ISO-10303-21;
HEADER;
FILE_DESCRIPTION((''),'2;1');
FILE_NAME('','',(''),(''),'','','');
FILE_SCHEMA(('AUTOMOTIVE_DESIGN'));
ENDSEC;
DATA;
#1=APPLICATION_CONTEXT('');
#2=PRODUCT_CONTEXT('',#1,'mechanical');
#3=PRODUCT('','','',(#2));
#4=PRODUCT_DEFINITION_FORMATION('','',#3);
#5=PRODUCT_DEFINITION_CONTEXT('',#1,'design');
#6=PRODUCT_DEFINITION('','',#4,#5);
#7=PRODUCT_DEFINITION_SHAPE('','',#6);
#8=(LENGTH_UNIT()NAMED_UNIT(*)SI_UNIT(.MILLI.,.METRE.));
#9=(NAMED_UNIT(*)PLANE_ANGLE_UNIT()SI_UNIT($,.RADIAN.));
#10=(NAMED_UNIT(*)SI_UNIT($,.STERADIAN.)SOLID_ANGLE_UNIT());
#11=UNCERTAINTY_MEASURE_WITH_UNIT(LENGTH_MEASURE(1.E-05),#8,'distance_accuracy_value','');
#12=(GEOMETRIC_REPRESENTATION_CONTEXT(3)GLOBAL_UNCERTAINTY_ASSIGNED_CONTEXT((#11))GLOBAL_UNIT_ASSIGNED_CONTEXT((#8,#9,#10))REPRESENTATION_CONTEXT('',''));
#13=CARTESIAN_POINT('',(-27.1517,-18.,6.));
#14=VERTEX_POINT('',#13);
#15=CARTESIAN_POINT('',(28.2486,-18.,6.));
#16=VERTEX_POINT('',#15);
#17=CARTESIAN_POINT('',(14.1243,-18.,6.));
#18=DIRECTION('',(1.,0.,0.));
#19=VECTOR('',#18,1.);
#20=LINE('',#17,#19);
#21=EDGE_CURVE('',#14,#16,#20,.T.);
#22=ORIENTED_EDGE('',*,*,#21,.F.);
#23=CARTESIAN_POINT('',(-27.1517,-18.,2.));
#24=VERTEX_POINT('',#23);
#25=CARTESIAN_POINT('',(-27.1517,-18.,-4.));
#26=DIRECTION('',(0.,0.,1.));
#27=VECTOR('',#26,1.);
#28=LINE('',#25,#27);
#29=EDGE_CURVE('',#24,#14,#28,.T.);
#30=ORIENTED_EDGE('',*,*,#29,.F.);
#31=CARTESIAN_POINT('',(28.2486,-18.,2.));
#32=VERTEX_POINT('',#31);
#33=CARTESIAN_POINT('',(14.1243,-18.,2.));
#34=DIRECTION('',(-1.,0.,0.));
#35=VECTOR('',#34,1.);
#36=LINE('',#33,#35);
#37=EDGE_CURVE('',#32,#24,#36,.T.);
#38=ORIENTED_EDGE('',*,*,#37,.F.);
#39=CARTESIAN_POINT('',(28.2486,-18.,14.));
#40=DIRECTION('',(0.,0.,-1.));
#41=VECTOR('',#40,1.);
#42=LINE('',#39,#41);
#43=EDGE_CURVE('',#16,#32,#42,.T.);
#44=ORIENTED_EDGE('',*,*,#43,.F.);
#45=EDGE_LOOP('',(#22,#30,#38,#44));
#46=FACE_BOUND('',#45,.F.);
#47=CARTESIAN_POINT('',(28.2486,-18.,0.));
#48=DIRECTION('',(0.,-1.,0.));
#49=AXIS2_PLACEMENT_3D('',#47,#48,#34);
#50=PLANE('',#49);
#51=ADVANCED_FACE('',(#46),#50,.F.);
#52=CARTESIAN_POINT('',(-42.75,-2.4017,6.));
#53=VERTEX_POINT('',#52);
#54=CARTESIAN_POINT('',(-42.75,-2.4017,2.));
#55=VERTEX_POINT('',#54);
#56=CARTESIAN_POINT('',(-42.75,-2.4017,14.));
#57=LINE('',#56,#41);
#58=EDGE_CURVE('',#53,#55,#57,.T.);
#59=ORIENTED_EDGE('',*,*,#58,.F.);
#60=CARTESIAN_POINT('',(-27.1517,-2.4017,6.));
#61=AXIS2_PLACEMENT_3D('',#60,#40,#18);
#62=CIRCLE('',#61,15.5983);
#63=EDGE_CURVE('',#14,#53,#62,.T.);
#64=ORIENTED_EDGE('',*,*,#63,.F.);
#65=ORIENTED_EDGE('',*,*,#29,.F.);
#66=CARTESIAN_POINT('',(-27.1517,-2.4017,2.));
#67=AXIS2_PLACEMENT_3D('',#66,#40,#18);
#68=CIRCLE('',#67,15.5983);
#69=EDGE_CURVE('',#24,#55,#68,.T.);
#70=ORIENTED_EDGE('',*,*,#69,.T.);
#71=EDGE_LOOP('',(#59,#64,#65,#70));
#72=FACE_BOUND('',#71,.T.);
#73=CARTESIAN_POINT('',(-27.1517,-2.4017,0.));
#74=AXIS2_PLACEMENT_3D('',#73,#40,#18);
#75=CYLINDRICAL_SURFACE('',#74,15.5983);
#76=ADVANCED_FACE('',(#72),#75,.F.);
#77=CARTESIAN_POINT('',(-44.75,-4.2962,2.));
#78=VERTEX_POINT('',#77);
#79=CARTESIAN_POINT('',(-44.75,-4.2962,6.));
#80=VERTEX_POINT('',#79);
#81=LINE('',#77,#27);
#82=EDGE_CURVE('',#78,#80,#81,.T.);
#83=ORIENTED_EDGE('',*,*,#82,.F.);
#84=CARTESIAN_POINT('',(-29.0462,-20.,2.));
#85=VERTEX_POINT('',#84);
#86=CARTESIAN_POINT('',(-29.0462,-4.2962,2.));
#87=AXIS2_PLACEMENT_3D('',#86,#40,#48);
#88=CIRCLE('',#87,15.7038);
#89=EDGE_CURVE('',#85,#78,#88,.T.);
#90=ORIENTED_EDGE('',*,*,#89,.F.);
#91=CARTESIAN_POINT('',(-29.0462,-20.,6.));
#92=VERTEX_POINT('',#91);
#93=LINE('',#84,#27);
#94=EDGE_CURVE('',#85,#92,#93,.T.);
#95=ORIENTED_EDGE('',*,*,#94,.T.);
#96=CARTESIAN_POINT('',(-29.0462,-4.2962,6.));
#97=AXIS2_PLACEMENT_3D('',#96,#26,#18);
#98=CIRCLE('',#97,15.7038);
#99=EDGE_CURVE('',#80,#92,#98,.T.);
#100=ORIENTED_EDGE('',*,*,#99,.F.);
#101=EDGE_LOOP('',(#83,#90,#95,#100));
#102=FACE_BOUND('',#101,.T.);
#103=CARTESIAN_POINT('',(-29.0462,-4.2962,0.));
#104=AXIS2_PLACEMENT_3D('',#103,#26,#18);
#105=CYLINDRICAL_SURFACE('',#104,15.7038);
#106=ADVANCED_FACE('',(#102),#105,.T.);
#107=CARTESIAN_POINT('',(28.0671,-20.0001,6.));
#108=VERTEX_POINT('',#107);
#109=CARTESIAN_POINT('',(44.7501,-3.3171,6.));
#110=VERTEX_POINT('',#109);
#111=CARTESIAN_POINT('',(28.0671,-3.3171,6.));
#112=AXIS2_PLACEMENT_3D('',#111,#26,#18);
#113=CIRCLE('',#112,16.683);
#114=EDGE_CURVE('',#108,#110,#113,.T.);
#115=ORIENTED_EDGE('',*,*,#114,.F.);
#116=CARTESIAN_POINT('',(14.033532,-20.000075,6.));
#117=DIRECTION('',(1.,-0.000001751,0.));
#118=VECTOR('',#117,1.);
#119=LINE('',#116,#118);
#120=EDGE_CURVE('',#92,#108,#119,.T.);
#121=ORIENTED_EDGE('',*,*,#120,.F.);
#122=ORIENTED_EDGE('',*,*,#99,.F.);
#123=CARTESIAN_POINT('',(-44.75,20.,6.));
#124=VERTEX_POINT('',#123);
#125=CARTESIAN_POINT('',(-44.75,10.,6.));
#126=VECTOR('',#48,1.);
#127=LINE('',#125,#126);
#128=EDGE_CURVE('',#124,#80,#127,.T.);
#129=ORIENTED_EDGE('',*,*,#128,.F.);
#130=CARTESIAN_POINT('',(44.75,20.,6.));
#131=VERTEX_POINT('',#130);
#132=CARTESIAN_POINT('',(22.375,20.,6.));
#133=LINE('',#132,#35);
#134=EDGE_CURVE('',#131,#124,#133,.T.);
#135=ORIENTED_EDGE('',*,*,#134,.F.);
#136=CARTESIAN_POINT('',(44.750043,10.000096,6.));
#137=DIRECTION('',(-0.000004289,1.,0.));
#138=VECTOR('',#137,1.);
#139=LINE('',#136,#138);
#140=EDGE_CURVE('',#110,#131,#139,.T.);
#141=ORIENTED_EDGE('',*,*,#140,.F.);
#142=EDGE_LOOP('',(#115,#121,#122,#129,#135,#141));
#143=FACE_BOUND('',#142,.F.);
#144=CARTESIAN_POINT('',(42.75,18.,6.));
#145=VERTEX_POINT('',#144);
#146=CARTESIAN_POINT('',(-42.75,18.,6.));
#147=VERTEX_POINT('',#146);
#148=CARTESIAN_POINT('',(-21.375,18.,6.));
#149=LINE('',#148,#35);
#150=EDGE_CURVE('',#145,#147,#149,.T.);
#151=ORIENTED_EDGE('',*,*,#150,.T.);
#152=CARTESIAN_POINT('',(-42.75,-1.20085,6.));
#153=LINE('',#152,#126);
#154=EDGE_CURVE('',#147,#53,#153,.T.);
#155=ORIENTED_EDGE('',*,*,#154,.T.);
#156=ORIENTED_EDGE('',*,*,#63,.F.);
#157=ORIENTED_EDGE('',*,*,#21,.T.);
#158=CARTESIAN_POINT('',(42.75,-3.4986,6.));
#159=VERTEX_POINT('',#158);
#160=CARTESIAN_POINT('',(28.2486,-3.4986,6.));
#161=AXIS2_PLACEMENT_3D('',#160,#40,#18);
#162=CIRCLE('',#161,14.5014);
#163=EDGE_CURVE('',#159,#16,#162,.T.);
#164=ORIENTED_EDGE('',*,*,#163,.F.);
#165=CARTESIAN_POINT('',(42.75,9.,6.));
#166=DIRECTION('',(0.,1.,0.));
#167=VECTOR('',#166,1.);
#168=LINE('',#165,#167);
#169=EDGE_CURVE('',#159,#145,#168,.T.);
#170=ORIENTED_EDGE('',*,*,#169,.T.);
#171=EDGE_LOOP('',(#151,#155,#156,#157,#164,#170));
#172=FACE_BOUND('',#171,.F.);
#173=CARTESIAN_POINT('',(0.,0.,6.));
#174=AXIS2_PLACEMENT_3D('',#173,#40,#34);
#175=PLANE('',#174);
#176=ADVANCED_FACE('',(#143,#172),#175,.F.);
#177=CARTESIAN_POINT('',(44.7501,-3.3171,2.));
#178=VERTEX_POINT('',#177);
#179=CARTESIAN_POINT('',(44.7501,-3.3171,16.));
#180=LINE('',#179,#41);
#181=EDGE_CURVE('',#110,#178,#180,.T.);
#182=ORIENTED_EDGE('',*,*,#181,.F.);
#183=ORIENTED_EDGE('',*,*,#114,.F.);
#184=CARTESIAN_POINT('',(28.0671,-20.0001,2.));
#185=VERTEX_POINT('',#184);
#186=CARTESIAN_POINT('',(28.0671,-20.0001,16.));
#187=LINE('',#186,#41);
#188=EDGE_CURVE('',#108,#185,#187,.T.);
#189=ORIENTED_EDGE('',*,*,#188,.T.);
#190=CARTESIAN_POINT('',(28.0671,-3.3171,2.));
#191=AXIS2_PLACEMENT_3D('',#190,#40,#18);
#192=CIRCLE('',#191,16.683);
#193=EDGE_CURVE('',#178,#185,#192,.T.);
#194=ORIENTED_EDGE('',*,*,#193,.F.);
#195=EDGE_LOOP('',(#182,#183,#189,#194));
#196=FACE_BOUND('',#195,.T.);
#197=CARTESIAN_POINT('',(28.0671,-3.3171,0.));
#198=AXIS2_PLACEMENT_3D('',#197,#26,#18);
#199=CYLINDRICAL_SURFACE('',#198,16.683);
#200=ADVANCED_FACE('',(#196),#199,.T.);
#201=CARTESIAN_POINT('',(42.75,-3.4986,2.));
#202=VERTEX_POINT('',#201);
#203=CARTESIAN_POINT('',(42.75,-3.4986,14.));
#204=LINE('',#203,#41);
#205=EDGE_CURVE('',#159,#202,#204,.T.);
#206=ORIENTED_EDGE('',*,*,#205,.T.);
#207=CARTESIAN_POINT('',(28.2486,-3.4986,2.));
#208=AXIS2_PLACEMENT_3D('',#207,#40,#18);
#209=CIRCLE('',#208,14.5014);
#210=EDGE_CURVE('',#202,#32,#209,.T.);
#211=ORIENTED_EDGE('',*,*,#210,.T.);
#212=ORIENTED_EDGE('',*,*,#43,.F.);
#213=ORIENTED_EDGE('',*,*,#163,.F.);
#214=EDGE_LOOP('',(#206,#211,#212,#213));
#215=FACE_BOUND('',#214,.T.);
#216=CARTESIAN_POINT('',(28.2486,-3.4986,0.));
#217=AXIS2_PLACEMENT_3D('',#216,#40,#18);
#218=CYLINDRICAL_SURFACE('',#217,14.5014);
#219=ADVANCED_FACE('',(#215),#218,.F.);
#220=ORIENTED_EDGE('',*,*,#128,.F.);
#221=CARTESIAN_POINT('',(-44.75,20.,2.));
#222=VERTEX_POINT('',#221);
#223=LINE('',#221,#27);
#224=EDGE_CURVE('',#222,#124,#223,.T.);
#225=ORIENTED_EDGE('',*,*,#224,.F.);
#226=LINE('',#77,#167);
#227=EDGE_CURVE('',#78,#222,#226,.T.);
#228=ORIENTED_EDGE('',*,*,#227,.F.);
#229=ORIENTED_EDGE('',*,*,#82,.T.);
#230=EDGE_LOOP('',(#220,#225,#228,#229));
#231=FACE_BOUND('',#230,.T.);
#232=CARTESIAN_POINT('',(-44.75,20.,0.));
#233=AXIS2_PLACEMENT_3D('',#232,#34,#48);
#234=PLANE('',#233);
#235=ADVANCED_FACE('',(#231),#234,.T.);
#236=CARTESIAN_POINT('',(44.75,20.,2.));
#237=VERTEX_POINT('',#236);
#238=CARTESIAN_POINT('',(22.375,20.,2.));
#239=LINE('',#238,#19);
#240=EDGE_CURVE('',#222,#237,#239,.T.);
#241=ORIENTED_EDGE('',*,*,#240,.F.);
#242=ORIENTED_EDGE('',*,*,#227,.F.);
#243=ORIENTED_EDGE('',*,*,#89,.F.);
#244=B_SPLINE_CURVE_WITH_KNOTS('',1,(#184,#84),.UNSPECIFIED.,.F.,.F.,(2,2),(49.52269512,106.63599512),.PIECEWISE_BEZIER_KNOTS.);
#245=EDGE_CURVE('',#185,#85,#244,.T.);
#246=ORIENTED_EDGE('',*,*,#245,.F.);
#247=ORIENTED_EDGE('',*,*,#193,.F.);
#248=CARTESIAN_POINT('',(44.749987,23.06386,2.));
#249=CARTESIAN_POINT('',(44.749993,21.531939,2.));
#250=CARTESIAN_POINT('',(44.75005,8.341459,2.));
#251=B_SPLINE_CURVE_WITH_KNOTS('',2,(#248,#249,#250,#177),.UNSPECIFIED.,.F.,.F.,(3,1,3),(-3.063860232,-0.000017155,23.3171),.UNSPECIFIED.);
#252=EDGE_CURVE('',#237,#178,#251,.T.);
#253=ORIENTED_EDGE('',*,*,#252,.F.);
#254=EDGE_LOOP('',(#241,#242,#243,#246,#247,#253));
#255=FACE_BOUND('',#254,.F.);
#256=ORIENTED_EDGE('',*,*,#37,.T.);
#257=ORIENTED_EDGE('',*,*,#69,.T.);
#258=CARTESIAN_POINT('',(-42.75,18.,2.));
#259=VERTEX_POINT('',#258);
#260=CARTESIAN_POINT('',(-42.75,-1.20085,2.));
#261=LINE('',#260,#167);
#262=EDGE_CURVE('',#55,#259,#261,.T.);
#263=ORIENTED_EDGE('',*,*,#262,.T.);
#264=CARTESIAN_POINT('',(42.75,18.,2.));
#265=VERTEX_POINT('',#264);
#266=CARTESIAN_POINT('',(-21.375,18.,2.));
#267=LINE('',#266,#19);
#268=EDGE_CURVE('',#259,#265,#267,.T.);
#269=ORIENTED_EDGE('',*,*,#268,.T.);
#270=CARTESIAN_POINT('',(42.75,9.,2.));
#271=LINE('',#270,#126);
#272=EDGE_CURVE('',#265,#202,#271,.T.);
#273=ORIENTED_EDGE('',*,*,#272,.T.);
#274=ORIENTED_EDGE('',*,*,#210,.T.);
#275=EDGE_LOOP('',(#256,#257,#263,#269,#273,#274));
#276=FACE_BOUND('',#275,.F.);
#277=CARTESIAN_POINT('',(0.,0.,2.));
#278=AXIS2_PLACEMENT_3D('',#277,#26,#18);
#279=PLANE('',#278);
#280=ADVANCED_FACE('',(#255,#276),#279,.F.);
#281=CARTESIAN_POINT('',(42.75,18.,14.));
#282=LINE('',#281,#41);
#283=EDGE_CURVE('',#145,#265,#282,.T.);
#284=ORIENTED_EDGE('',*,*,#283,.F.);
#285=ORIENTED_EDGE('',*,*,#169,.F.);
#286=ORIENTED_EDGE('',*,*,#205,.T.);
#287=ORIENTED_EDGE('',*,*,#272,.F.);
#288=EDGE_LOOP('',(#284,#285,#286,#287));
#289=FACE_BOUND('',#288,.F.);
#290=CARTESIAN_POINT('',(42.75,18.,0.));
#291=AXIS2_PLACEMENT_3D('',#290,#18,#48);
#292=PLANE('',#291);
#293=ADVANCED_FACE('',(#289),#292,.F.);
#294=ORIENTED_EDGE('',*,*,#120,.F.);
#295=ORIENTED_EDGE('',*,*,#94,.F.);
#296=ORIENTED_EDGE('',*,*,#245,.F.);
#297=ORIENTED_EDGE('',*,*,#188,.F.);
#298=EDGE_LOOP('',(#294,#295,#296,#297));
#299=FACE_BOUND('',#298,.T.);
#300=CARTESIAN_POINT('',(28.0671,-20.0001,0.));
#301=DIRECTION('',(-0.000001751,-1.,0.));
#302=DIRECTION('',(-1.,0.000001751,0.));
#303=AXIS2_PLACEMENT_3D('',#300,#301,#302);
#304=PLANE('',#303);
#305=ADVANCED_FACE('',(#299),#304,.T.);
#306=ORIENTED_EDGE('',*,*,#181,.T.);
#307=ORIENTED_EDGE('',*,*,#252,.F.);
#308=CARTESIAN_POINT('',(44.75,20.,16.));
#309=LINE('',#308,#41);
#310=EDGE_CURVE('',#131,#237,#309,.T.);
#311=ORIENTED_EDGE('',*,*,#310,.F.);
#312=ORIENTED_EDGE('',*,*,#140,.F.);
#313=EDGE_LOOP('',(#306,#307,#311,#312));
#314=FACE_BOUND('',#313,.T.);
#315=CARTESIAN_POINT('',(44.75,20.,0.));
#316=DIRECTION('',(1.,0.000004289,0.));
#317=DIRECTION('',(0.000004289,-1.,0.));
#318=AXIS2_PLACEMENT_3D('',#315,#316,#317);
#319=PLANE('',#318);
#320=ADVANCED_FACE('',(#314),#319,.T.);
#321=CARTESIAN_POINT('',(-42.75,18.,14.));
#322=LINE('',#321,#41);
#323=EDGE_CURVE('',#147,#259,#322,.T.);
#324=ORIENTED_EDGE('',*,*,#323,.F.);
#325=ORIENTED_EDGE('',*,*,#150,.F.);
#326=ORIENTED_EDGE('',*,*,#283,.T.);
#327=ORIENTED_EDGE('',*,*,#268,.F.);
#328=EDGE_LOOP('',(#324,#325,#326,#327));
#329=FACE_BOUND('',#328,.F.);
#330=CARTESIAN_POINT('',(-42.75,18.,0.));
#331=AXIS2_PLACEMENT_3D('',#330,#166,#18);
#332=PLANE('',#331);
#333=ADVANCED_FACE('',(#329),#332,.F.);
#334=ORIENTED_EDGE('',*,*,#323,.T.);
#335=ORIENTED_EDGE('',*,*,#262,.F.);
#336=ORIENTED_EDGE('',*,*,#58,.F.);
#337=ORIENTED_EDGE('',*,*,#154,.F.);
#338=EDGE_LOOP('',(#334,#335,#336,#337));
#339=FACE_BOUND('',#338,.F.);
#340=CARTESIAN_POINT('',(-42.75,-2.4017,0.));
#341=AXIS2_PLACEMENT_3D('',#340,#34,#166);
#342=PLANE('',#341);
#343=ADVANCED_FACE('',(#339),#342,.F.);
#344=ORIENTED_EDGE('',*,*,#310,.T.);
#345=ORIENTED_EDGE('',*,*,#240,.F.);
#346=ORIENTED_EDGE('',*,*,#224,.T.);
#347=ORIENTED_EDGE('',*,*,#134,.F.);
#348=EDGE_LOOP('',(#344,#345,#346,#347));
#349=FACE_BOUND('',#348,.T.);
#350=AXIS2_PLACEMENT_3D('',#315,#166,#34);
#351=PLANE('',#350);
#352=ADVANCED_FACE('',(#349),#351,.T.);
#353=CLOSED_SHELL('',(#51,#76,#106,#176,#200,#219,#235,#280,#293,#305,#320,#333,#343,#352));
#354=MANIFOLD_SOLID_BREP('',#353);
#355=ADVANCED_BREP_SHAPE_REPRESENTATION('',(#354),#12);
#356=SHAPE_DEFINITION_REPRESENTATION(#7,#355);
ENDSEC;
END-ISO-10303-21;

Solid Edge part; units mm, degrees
sketch "Sketch1" plane through (0, 0, 0) normal (0, 0, 1) x (1, 0, 0)
  line L0 (16.5705, -15) -> (27, -15)
  line L1 (39.75, -3) -> (35.75, -3)
  line L2 (39.75, 15) -> (39.75, -3)
  line L3 (39.75, 15) -> (-39.75, 15)
  line L4 (-39.75, 15) -> (-39.75, -3)
  line L5 (-39.75, -3) -> (-35.75, -3)
  line L6 (-27, -15) -> (-16.5705, -15)
  arc A0 (-11.0552, -11) -> (-16.5705, -15) centre (-21.7852, -2.0075) cw
  line L7 (-11.0552, -11) -> (-2.25, -11)
  line L8 (-2.25, -8.75) -> (-2.25, -11)
  line L9 (2.25, -8.75) -> (2.25, -11)
  line L10 (2.25, -11) -> (11.0552, -11)
  arc A1 (16.5705, -15) -> (11.0552, -11) centre (21.7852, -2.0075) cw
  arc A2 (27, -15) -> (35.75, -3) centre (21.7852, -2.0075) ccw
  arc A3 (-35.75, -3) -> (-27, -15) centre (-21.7852, -2.0075) ccw
  arc A4 (-2.25, -8.75) -> (2.25, -8.75) centre (0, -8.75) cw
  circle A5 centre (37.25, 2.5) radius 1
  circle A6 centre (-37.25, 2.5) radius 1
  circle A7 centre (-5.25, -6) radius 1
  circle A8 centre (5.25, -6) radius 1
extrude "Protrusion1" add sketch "Sketch1" along normal blind 1
sketch "Sketch2" plane through (0, 0, 0) normal (0, 0, 1) x (1, 0, 0)
  circle A0 centre (-5.25, -6) radius 1
  circle A1 centre (5.25, -6) radius 1
  circle A2 centre (37.25, 2.5) radius 1
  line L0 (42.75, -3) -> (42.75, 18)
  line L1 (42.75, 18) -> (-42.75, 18)
  line L2 (-42.75, 18) -> (-42.75, -2.0075)
  line L3 (-42.75, -2.4017) -> (-42.75, -2.0075)
  arc A3 (-42.75, -2.4017) -> (-27.1517, -18) centre (-27.1517, -2.4017) ccw
  line L4 (-21.7852, -18) -> (-27.1517, -18)
  line L5 (-21.7852, -18) -> (28.2486, -18)
  arc A4 (28.2486, -18) -> (42.75, -3.4986) centre (28.2486, -3.4986) ccw
  line L6 (42.75, -3.4986) -> (42.75, -3)
  line L7 (44.75, 20) -> (-44.75, 20)
  line L8 (-44.75, 20) -> (-44.75, -2.0075)
  line L9 (-44.75, -2.0075) -> (-44.75, -4.2962)
  arc A5 (-44.75, -4.2962) -> (-29.0462, -20) centre (-29.0462, -4.2962) ccw
  line L10 (-29.0462, -20) -> (-21.7852, -20)
  line L11 (-21.7852, -20) -> (28.0671, -20)
  arc A6 (28.0671, -20) -> (44.75, -3.3171) centre (28.0671, -3.3171) ccw
  line L12 (44.75, -3.3171) -> (44.75, -3)
  line L13 (44.75, -3) -> (44.75, 20)
  circle A7 centre (-37.25, 2.5) radius 1
  circle A8 centre (-5.25, -6) radius 3
  circle A9 centre (-37.25, 2.5) radius 3
  circle A10 centre (5.25, -6) radius 3
  circle A11 centre (37.25, 2.5) radius 3
extrude "ExtrudedProtrusion_2" add sketch "Sketch2" against normal blind 4
sketch "Sketch3" plane through (0, 0, -4) normal (0, 0, -1) x (1, 0, 0)
  line L0 (28.0671, 20) -> (-29.0462, 20)
  arc A0 (-29.0462, 20) -> (-44.75, 4.2962) centre (-29.0462, 4.2962) ccw
  line L1 (-44.75, 4.2962) -> (-44.75, -20)
  line L2 (-44.75, -20) -> (44.75, -20)
  line L3 (44.75, -20) -> (44.75, 3.3171)
  arc A1 (28.0671, 20) -> (44.75, 3.3171) centre (28.0671, 3.3171) cw
extrude "ExtrudedProtrusion_3" add sketch "Sketch3" along normal blind 2
sketch "Sketch4" plane through (0, 0, 0) normal (0, 0, 1) x (1, 0, 0)
  line L0 (-44.75, 20) -> (44.75, 20)
  line L1 (44.75, 20) -> (44.75, -3.3171)
  arc A0 (28.0671, -20) -> (44.75, -3.3171) centre (28.0671, -3.3171) ccw
  line L2 (28.0671, -20) -> (-29.0462, -20)
  arc A1 (-44.75, -4.2962) -> (-29.0462, -20) centre (-29.0462, -4.2962) ccw
  line L3 (-44.75, -4.2962) -> (-44.75, 20)
  line L4 (-42.75, 18) -> (42.75, 18)
  line L5 (42.75, 18) -> (42.75, -3.4986)
  arc A2 (28.2486, -18) -> (42.75, -3.4986) centre (28.2486, -3.4986) ccw
  line L6 (28.2486, -18) -> (-27.1517, -18)
  arc A3 (-42.75, -2.4017) -> (-27.1517, -18) centre (-27.1517, -2.4017) ccw
  line L7 (-42.75, -2.4017) -> (-42.75, 18)
extrude "ExtrudedProtrusion_4" add sketch "Sketch4" along normal blind 14
fillet "Round_1" radius 4 6 edges at (38.5026, -13.7526, -4) (-38.1814, -13.4314, -4) (0.5484, -18, -4) (42.75, 7.2507, -4) (0, 18, -4) (-42.75, 7.7992, -4)
fillet "Round_2" radius 8 5 edges at (-0.4896, -20, -6) (-40.1505, -15.4005, -6) (-44.75, 7.8519, -6) (44.75, 8.3415, -6) (39.8637, -15.1137, -6)
sketch "Sketch5" plane through (0, 0, 14) normal (0, 0, 1) x (1, 0, 0)
  line L0 (-44.75, 20) -> (44.75, 20)
  line L1 (44.75, 20) -> (44.75, -3.3171)
  arc A0 (28.0671, -20) -> (44.75, -3.3171) centre (28.0671, -3.3171) ccw
  line L2 (-29.0462, -20) -> (28.0671, -20)
  arc A1 (-44.75, -4.2962) -> (-29.0462, -20) centre (-29.0462, -4.2962) ccw
  line L3 (-44.75, -4.2962) -> (-44.75, -3.3171)
  line L4 (-44.75, -3.3171) -> (-44.75, 20)
  circle A2 centre (-21.7852, -2.0075) radius 12
  circle A3 centre (21.7852, -2.0075) radius 12
extrude "ExtrudedProtrusion_5" add sketch "Sketch5" along normal blind 2
fillet "Round_5" radius 2 5 edges at (-38.1814, -13.4314, 14) (-42.75, 7.7992, 14) (0.5484, -18, 14) (38.5026, -13.7526, 14) (42.75, 7.2507, 14)
sketch "Sketch6" plane through (0, 0, 1) normal (0, 0, 1) x (0, -1, 0)
  line L0 (37.005, -48.7857) -> (-37.005, -48.7857)
  line L1 (-37.005, -48.7857) -> (-37.005, 48.7857)
  line L2 (-37.005, 48.7857) -> (37.005, 48.7857)
  line L3 (37.005, 48.7857) -> (37.005, -48.7857)
extrude "ExtrudedCutout_2" cut sketch "Sketch6" along normal blind 0.5
sketch "Sketch7" plane through (0, 2, 16) normal (0, 0, 1) x (1, 0, 0)
  line L0 (48.422, -25.3471) -> (-48.422, -25.3471)
  line L1 (-48.422, -25.3471) -> (-48.422, 21.3471)
  line L2 (-48.422, 21.3471) -> (48.422, 21.3471)
  line L3 (48.422, 21.3471) -> (48.422, -25.3471)
extrude "ExtrudedCutout_7" cut sketch "Sketch7" against normal blind 10
sketch "Sketch8" plane through (0, 4, -6) normal (0, 0, -1) x (1, 0, 0)
  line L0 (50.3879, -23.0296) -> (-50.3879, -23.0296)
  line L1 (-50.3879, -23.0296) -> (-50.3879, 31.0296)
  line L2 (-50.3879, 31.0296) -> (50.3879, 31.0296)
  line L3 (50.3879, 31.0296) -> (50.3879, -23.0296)
extrude "Cutout1" cut sketch "Sketch8" against normal up to vertex (8 mm away)
